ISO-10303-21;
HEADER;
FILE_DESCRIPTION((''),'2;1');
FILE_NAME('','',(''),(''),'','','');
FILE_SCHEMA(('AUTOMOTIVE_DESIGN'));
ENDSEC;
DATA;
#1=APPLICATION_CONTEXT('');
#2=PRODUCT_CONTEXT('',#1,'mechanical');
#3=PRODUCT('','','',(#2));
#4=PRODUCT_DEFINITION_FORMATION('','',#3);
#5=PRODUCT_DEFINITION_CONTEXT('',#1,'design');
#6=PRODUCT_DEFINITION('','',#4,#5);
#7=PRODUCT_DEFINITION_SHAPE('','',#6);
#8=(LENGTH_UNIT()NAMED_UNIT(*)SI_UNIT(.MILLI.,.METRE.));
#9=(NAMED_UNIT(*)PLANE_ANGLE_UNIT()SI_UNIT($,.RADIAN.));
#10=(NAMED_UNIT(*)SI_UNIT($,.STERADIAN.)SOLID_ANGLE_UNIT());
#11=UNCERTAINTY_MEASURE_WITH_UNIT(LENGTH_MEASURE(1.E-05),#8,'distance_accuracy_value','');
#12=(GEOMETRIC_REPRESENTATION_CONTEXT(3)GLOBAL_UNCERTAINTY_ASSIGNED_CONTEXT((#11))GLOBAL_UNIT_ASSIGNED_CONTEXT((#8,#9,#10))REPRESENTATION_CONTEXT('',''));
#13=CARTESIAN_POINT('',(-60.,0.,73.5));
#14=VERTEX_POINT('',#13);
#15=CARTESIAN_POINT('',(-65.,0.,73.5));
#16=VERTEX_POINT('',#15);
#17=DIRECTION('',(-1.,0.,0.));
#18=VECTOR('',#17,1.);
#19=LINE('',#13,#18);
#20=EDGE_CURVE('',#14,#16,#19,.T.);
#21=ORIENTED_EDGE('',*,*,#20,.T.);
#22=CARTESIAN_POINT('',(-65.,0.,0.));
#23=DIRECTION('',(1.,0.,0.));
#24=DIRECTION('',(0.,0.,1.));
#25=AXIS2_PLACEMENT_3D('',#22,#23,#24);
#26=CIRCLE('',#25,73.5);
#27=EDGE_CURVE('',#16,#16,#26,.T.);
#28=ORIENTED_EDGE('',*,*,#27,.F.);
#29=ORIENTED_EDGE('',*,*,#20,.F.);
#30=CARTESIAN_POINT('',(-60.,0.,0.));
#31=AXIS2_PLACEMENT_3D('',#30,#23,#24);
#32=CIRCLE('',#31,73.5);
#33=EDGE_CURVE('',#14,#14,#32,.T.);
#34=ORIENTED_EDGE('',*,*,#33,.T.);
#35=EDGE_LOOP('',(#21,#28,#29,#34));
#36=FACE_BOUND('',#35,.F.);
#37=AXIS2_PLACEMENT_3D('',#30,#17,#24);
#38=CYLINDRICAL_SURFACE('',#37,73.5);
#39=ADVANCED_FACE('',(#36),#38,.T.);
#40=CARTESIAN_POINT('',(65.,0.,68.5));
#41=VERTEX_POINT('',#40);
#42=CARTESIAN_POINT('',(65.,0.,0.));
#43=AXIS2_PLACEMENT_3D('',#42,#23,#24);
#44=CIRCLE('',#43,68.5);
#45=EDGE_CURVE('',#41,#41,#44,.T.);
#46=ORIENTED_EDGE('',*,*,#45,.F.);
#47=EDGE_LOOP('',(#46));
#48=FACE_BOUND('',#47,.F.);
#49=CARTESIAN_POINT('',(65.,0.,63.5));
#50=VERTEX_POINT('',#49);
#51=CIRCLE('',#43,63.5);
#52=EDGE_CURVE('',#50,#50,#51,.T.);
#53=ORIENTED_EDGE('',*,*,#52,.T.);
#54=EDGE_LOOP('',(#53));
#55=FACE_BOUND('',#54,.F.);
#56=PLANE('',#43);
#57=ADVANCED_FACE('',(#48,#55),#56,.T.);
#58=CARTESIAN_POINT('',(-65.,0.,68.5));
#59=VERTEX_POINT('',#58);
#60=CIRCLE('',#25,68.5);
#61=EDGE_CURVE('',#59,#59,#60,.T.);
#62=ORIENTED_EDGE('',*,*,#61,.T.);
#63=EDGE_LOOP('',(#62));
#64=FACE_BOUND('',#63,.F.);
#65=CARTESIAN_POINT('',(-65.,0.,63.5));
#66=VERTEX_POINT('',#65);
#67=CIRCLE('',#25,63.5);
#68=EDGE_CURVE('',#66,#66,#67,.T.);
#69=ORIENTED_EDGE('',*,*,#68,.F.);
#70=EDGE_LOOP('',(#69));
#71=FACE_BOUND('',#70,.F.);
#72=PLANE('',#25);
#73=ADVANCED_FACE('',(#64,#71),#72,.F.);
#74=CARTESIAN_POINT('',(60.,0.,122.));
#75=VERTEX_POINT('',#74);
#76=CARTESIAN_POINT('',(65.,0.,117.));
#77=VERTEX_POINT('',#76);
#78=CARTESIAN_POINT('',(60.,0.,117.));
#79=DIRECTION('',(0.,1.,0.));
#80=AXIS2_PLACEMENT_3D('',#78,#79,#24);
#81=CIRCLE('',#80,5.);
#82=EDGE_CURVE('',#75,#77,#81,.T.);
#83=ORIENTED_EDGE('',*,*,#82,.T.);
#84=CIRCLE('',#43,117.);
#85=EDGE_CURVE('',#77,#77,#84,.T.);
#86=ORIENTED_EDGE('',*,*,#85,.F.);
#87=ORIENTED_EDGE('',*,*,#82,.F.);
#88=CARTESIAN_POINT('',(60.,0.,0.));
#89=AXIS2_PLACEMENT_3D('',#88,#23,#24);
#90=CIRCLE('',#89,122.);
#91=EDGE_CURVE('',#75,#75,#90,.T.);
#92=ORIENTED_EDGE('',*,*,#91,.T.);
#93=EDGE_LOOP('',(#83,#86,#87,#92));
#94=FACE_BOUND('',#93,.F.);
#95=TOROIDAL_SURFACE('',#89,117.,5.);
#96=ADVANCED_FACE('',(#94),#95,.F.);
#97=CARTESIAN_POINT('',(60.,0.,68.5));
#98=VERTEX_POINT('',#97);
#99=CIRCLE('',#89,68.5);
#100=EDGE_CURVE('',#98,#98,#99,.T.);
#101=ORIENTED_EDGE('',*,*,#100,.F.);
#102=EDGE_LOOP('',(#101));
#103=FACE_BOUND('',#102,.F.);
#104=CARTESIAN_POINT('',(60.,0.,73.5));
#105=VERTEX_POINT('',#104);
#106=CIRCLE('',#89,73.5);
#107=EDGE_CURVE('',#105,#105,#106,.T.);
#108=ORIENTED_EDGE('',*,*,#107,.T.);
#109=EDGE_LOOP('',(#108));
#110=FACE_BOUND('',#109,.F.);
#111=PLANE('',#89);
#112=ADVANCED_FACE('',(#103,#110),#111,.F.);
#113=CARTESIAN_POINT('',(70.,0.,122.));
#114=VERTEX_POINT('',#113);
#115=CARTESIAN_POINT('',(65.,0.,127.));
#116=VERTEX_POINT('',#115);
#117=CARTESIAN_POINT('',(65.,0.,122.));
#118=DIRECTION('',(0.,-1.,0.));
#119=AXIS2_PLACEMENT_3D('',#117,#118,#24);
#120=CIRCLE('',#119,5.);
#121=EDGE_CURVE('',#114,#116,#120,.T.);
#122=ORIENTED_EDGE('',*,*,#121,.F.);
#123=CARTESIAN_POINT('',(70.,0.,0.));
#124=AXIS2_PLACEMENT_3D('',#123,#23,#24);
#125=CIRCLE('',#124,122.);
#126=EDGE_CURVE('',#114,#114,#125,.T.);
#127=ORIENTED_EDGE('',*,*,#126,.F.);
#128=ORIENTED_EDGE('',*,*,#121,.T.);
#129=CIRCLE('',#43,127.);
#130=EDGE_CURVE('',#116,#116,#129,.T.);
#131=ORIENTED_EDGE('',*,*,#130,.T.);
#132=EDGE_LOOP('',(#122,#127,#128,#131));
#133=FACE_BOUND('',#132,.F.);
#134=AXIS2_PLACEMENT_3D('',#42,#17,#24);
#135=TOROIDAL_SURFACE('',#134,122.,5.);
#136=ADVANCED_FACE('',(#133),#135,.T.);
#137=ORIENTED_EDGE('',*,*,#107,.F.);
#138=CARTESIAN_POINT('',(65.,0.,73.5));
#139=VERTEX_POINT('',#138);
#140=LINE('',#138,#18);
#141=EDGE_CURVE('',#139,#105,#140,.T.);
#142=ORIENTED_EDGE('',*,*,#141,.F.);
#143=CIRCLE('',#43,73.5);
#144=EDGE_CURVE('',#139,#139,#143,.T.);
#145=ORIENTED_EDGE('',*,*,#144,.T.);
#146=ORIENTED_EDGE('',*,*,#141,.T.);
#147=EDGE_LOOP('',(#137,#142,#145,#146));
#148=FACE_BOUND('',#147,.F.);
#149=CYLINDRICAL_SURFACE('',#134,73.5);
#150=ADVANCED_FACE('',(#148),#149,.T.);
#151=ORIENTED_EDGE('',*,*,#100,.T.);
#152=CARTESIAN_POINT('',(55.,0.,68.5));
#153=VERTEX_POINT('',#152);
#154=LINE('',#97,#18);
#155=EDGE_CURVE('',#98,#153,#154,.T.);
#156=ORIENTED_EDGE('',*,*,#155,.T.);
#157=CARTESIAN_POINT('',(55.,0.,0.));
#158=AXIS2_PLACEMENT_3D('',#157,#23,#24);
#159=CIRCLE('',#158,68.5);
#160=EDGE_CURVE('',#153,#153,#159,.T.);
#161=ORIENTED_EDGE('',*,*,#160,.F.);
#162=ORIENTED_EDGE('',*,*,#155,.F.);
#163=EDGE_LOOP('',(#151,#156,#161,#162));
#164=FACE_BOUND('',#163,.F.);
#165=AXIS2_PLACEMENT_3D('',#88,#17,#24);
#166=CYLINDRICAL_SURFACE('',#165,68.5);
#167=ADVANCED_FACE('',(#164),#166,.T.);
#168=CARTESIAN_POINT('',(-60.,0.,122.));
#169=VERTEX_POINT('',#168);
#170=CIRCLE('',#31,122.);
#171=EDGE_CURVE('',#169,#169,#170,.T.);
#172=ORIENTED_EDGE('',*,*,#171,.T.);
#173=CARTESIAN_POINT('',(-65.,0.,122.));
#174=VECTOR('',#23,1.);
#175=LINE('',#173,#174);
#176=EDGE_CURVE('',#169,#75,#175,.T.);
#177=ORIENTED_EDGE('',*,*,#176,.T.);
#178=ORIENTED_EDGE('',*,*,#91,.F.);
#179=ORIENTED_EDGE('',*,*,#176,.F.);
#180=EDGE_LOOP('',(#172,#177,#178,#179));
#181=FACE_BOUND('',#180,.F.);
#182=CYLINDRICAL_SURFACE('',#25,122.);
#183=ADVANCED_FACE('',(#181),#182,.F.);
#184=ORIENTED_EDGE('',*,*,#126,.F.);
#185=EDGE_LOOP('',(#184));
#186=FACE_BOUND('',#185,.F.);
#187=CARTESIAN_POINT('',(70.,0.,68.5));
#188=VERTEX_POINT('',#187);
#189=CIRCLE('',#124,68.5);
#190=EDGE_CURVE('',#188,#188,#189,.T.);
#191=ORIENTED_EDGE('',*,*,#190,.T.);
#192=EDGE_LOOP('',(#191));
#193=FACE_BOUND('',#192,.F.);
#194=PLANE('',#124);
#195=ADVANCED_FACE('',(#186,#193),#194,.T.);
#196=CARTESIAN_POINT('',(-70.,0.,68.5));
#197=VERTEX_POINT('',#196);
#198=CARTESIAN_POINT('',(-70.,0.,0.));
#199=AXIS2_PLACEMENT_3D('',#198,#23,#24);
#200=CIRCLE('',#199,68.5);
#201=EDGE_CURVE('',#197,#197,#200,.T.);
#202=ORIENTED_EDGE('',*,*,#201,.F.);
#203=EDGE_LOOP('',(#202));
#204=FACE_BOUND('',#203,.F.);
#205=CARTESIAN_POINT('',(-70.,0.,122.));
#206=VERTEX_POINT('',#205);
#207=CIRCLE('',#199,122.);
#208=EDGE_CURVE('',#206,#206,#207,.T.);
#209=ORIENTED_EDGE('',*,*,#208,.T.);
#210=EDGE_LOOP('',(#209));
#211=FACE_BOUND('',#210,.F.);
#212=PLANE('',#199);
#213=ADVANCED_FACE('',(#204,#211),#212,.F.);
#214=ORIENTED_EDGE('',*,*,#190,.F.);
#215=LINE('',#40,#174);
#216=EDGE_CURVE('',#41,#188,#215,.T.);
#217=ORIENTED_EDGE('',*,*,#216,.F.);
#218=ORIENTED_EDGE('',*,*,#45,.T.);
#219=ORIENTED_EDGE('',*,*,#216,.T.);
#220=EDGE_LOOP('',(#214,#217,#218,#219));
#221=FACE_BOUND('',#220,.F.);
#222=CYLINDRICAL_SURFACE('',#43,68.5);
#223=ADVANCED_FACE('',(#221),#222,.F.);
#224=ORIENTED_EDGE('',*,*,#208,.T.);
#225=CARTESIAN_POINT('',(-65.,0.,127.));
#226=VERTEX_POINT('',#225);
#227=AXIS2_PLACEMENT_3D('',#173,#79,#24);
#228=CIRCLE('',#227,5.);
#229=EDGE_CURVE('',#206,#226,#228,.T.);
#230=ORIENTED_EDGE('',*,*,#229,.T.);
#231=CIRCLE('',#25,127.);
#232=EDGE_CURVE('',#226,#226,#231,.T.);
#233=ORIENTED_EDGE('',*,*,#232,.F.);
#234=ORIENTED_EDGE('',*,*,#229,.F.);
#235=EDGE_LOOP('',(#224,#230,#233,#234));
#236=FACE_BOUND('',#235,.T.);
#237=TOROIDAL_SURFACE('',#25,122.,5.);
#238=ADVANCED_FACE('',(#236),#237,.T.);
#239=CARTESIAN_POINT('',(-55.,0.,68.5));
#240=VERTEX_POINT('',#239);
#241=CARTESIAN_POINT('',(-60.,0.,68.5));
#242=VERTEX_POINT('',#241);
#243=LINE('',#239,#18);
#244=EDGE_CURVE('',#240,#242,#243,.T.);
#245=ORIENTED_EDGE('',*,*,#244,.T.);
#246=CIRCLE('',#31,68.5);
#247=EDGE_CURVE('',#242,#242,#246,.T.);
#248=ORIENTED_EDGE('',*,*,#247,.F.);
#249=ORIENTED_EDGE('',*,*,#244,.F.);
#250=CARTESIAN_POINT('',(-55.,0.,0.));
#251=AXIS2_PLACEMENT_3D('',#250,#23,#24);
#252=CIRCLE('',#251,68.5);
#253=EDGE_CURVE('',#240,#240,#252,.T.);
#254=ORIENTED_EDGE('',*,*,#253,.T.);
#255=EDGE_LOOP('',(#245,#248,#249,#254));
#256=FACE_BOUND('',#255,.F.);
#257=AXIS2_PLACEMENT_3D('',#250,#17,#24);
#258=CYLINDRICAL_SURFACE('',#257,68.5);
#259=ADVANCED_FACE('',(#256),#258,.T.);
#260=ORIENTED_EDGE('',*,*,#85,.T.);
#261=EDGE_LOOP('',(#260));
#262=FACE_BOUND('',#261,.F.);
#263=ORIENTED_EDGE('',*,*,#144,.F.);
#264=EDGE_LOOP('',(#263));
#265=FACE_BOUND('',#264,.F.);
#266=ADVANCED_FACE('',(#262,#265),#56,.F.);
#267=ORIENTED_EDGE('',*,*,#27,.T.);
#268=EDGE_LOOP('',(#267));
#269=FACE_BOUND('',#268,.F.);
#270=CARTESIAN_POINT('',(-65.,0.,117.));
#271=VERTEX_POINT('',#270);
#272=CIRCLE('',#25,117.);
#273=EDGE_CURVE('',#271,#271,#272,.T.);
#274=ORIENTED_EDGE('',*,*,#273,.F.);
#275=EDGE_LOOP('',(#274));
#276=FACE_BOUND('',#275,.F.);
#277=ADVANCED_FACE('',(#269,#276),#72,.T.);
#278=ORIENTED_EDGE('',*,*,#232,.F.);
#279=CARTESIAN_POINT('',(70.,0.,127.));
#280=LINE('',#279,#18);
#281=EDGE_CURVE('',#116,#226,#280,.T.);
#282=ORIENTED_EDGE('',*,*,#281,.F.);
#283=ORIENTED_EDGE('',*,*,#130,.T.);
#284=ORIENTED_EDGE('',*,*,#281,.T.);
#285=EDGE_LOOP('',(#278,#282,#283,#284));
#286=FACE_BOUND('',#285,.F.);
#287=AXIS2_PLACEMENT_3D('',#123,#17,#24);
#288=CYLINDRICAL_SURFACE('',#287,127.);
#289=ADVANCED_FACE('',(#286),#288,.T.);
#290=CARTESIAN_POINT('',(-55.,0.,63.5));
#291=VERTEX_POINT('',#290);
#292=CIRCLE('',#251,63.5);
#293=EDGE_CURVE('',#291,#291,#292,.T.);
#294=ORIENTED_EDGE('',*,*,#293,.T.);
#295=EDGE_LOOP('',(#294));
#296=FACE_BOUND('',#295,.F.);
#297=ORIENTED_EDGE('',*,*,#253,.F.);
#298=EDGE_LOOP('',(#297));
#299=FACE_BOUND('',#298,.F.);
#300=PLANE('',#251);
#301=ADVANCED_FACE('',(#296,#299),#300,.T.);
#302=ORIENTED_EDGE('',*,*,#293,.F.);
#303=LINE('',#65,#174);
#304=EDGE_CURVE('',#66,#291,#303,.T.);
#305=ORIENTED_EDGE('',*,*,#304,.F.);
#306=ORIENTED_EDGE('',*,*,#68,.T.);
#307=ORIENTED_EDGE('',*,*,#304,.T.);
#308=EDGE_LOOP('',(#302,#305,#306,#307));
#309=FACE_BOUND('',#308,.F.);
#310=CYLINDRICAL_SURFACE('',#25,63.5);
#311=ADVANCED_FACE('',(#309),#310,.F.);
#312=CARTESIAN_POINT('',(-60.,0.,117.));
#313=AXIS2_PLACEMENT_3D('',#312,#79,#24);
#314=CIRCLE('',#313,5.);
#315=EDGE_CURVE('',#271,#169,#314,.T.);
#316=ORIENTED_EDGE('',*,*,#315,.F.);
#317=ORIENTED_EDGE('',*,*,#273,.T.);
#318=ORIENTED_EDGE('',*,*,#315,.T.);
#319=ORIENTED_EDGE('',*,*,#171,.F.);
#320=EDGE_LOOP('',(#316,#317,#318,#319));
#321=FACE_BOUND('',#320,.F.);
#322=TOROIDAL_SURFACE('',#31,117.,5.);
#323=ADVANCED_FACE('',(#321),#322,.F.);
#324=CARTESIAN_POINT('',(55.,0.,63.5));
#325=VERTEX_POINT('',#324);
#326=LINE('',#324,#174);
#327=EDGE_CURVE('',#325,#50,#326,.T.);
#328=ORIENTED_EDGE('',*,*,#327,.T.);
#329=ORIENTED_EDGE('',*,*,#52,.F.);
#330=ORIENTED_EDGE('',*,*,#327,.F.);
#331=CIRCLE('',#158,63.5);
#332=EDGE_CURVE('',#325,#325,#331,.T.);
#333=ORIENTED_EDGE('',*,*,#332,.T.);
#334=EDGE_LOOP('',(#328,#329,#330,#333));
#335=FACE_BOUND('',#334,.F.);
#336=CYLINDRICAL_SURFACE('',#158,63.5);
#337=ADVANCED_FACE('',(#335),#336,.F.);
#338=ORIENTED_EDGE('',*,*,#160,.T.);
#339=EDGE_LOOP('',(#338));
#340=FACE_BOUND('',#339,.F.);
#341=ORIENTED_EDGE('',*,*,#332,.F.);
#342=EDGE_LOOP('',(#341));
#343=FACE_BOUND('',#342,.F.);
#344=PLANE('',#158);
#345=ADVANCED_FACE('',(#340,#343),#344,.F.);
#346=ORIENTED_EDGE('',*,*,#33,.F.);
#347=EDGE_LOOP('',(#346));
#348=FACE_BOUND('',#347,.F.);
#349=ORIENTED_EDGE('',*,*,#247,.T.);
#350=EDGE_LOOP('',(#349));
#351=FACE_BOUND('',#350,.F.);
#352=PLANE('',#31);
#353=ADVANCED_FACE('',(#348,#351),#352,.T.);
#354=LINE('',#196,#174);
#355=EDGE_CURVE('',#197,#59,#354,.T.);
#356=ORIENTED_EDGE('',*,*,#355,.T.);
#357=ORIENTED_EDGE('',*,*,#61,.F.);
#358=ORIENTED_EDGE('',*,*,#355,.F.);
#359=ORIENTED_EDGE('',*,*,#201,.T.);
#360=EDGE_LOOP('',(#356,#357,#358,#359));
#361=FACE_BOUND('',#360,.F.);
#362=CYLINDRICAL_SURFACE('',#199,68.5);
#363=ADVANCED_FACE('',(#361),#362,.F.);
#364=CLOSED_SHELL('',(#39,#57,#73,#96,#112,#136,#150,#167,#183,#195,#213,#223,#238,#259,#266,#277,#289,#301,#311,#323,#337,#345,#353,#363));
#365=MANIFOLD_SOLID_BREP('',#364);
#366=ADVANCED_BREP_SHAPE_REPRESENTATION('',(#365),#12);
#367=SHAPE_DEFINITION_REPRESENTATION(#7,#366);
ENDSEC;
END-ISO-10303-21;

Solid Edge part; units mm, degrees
sketch "Sketch1" plane through (0, 0, 0) normal (0, -1, 0) x (1, 0, 0)
  line L0 (-70, 127) -> (-70, 68.5)
  line L1 (-70, 68.5) -> (-65, 68.5)
  line L2 (-65, 68.5) -> (-65, 63.5)
  line L3 (-65, 63.5) -> (-55, 63.5)
  line L4 (-55, 63.5) -> (-55, 68.5)
  line L5 (-55, 68.5) -> (-60, 68.5)
  line L6 (-60, 68.5) -> (-60, 73.5)
  line L7 (-60, 73.5) -> (-65, 73.5)
  line L8 (-65, 73.5) -> (-65, 122)
  line L9 (-65, 122) -> (65, 122)
  line L10 (65, 122) -> (65, 73.5)
  line L11 (65, 73.5) -> (60, 73.5)
  line L12 (60, 73.5) -> (60, 68.5)
  line L13 (60, 68.5) -> (55, 68.5)
  line L14 (55, 68.5) -> (55, 63.5)
  line L15 (55, 63.5) -> (65, 63.5)
  line L16 (65, 63.5) -> (65, 68.5)
  line L17 (65, 68.5) -> (70, 68.5)
  line L18 (70, 68.5) -> (70, 127)
  line L19 (70, 127) -> (-70, 127)
  dimension "D1" = 130
  dimension "D2" = 10
  dimension "D3" = 5
  dimension "D4" = 5
  dimension "D5" = 5
  dimension "D6" = 5
  dimension "D7" = 10
  dimension "D8" = 5
  dimension "D9" = 5
  dimension "D10" = 5
  dimension "D11" = 5
  dimension "D12" = 5
revolve "RevolvedProtrusion1" add sketch "Sketch1" angle 360 about axis through (-79.3986, 0, 0) along (1, 0, 0)
fillet "Round1" radius 5 4 edges at (-65, 0, -122) (-70, 0, -127) (65, 0, -122) (70, 0, -127)
properties material "Phenolic"
